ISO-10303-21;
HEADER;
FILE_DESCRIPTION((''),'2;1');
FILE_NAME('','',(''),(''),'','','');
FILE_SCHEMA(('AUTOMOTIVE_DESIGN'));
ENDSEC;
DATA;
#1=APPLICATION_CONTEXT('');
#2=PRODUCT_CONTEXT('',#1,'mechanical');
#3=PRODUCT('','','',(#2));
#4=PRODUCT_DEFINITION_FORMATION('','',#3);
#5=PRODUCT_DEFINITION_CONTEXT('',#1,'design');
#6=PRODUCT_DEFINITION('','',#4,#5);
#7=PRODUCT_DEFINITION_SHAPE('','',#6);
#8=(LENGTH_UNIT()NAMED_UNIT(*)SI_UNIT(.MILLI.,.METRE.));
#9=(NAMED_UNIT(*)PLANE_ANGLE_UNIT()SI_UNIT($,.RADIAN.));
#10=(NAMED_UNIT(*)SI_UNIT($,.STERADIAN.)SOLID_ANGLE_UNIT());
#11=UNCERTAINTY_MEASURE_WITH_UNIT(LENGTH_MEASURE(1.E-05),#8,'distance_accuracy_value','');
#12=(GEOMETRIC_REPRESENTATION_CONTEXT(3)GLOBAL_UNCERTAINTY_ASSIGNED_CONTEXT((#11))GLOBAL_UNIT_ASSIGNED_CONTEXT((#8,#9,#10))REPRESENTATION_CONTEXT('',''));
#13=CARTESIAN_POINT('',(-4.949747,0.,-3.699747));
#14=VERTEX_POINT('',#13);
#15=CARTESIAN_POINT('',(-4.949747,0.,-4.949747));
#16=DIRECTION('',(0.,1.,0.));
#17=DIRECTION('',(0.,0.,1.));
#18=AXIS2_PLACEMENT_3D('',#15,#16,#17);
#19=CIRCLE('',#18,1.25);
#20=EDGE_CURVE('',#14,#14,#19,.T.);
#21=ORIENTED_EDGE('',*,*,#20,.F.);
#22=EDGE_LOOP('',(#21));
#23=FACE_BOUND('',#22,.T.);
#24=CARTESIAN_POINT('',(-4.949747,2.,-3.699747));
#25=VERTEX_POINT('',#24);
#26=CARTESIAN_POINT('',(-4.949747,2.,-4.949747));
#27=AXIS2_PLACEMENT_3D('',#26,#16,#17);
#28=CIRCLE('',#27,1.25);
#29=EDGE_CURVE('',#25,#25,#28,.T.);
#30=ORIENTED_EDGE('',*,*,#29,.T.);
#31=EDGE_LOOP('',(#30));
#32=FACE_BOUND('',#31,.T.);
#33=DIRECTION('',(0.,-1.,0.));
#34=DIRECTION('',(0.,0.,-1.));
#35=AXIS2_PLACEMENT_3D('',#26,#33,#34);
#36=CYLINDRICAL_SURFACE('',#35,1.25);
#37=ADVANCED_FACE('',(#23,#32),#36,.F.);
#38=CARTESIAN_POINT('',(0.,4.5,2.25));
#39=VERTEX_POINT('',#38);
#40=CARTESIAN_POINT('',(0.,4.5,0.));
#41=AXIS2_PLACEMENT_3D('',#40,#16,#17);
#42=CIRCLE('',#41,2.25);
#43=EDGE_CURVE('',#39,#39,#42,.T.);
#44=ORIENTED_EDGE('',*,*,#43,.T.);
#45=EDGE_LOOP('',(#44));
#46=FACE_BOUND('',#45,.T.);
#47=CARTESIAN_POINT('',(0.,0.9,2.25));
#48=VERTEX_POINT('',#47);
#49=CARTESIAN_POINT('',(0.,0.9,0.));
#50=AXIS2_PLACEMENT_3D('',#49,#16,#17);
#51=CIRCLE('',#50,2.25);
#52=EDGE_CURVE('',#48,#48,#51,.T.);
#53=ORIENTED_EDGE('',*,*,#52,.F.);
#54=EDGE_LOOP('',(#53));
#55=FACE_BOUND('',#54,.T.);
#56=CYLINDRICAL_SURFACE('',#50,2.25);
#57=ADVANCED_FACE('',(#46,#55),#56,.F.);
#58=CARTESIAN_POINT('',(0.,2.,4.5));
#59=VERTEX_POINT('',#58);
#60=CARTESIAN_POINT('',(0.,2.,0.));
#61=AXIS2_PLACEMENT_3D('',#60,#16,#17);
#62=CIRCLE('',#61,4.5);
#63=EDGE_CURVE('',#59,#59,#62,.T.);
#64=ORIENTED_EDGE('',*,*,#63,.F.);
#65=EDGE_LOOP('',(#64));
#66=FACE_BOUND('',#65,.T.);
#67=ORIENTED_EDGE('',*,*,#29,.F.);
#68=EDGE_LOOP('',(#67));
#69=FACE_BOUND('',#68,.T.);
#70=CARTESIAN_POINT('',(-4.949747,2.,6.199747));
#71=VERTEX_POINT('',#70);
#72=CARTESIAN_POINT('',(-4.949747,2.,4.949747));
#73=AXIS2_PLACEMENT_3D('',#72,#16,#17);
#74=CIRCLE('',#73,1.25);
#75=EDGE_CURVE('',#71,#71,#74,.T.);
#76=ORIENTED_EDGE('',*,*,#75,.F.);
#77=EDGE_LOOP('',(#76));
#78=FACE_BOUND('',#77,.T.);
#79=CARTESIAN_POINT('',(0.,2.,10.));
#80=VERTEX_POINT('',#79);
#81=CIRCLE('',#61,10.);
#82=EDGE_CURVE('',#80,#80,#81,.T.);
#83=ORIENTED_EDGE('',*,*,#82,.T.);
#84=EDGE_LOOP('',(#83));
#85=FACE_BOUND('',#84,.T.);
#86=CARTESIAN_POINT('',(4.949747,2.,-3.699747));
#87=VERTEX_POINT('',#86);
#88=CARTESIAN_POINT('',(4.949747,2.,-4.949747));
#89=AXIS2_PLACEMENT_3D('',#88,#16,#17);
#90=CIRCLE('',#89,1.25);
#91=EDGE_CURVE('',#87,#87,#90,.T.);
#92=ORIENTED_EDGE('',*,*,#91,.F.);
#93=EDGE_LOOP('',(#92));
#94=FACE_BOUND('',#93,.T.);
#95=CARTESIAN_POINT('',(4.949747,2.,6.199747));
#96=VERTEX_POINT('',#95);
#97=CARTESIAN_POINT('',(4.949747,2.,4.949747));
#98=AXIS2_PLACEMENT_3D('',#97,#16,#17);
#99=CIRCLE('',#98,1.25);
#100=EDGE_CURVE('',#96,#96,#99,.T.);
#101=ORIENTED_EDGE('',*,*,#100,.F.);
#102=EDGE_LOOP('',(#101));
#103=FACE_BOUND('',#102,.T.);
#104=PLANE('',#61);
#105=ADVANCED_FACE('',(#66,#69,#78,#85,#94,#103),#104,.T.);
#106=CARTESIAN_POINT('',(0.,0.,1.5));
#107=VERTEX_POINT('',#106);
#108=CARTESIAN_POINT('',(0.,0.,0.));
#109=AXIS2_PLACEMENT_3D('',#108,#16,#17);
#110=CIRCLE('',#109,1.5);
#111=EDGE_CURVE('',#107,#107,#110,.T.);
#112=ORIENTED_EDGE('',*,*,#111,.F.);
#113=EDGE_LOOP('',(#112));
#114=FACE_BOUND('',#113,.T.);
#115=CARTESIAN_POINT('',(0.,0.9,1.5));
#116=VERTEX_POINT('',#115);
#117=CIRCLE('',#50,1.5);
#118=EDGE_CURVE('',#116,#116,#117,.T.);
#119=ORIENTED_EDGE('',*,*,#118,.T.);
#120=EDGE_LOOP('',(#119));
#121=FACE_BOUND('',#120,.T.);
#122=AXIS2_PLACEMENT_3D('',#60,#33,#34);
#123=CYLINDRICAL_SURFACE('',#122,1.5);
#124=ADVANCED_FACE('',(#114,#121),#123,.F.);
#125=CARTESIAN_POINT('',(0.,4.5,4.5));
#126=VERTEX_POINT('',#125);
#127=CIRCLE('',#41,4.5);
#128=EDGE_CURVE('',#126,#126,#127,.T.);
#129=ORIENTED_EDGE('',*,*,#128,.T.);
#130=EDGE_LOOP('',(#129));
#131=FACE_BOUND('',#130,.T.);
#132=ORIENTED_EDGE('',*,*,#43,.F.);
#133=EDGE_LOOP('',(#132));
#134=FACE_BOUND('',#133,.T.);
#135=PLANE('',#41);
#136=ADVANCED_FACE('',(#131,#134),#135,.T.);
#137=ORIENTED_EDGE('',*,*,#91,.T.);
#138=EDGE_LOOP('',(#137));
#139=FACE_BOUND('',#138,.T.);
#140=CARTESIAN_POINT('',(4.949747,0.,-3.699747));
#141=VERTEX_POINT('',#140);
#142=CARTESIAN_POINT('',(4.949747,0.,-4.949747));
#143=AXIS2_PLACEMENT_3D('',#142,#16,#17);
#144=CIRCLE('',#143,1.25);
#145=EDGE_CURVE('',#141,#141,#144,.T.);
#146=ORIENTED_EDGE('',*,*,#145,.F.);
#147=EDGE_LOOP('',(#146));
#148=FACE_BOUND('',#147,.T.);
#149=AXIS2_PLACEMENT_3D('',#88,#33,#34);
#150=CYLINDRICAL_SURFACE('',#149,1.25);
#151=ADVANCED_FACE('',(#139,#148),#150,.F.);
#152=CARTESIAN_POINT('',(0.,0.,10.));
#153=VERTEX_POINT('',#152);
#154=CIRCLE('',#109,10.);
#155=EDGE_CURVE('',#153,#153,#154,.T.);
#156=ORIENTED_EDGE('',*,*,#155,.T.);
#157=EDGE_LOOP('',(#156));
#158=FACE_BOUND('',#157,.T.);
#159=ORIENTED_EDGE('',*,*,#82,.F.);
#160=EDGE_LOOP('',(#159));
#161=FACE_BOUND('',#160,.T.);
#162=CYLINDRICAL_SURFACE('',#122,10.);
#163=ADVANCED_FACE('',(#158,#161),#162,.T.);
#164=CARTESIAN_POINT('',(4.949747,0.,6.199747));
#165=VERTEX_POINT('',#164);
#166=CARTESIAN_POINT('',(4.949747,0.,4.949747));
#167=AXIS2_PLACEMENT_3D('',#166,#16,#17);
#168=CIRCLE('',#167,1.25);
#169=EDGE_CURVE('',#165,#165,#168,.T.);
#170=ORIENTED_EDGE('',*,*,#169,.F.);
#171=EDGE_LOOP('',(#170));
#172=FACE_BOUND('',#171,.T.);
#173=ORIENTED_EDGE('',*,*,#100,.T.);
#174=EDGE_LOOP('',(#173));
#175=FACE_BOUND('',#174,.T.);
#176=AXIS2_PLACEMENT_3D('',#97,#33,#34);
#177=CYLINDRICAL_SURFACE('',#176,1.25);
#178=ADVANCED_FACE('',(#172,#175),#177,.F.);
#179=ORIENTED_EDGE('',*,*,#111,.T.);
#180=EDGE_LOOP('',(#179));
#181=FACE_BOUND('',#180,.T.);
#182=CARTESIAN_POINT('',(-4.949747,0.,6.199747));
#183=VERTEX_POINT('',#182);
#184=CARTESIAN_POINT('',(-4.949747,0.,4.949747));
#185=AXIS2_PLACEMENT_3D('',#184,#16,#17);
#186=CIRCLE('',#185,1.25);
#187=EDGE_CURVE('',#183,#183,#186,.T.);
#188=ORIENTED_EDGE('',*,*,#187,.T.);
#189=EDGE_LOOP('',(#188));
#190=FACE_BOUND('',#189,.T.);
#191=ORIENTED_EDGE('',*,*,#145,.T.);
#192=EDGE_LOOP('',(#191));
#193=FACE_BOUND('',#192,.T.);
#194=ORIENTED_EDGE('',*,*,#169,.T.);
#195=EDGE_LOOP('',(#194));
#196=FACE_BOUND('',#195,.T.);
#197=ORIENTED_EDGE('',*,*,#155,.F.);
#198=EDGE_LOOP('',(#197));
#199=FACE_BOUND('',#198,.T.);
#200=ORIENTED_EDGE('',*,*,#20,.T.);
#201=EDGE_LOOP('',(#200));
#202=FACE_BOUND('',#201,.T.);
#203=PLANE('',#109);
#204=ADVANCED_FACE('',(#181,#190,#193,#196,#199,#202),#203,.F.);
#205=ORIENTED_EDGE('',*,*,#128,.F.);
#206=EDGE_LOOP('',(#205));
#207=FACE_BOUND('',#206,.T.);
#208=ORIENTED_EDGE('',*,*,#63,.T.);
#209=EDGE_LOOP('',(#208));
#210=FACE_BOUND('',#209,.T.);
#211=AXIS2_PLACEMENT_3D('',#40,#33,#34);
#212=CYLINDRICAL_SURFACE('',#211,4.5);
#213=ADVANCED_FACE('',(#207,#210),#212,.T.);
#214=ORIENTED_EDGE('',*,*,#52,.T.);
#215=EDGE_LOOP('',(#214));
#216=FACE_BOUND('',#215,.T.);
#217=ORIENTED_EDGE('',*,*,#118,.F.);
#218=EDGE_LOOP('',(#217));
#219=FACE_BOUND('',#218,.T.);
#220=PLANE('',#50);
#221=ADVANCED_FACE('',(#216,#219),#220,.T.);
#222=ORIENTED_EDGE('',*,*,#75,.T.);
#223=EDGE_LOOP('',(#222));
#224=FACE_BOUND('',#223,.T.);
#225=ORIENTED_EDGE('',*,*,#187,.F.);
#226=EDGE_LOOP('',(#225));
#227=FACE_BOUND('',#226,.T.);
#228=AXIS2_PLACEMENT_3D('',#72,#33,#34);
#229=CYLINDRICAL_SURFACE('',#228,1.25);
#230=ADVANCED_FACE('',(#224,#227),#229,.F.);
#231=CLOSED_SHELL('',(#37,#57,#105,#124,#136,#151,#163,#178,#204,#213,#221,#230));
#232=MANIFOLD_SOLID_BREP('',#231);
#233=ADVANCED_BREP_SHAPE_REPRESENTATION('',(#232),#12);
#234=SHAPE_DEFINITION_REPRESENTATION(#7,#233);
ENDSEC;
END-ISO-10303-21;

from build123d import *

# Parameters (mm, degrees)
SKETCH1_R           = 10
SKETCH1_R_2         = 1.25
SKETCH1_R_3         = 1.5
BOSS_EXTRUDE1_DEPTH = 2
SKETCH2_R           = 4.5
SKETCH2_R_2         = 1.5
BOSS_EXTRUDE2_DEPTH = 2.5
SKETCH3_R           = 2.25
CUT_EXTRUDE1_DEPTH  = 3.6


with BuildPart() as part:
    # Sketch1 → Boss-Extrude1 (new body)
    with BuildSketch(Plane(origin=(0, 0, 0), x_dir=(1, 0, 0), z_dir=(0, 1, 0))):
        Circle(SKETCH1_R)
        with Locations((-4.949747468, 4.949747468)):
            Circle(SKETCH1_R_2, mode=Mode.SUBTRACT)
        with Locations((4.949747468, 4.949747468)):
            Circle(SKETCH1_R_2, mode=Mode.SUBTRACT)
        with Locations((4.949747468, -4.949747468)):
            Circle(SKETCH1_R_2, mode=Mode.SUBTRACT)
        with Locations((-4.949747468, -4.949747468)):
            Circle(SKETCH1_R_2, mode=Mode.SUBTRACT)
        Circle(SKETCH1_R_3, mode=Mode.SUBTRACT)
    extrude(amount=BOSS_EXTRUDE1_DEPTH)

    # Sketch2 → Boss-Extrude2 (add)
    with BuildSketch(Plane(origin=(0, 2, 0), x_dir=(1, 0, 0), z_dir=(0, 1, 0))):
        Circle(SKETCH2_R)
        Circle(SKETCH2_R_2, mode=Mode.SUBTRACT)
    extrude(amount=BOSS_EXTRUDE2_DEPTH)

    # Sketch3 → Cut-Extrude1 (cut)
    with BuildSketch(Plane(origin=(0, 4.5, 0), x_dir=(1, 0, 0), z_dir=(0, 1, 0))):
        Circle(SKETCH3_R)
    extrude(amount=-CUT_EXTRUDE1_DEPTH, mode=Mode.SUBTRACT)


solid = part.part
